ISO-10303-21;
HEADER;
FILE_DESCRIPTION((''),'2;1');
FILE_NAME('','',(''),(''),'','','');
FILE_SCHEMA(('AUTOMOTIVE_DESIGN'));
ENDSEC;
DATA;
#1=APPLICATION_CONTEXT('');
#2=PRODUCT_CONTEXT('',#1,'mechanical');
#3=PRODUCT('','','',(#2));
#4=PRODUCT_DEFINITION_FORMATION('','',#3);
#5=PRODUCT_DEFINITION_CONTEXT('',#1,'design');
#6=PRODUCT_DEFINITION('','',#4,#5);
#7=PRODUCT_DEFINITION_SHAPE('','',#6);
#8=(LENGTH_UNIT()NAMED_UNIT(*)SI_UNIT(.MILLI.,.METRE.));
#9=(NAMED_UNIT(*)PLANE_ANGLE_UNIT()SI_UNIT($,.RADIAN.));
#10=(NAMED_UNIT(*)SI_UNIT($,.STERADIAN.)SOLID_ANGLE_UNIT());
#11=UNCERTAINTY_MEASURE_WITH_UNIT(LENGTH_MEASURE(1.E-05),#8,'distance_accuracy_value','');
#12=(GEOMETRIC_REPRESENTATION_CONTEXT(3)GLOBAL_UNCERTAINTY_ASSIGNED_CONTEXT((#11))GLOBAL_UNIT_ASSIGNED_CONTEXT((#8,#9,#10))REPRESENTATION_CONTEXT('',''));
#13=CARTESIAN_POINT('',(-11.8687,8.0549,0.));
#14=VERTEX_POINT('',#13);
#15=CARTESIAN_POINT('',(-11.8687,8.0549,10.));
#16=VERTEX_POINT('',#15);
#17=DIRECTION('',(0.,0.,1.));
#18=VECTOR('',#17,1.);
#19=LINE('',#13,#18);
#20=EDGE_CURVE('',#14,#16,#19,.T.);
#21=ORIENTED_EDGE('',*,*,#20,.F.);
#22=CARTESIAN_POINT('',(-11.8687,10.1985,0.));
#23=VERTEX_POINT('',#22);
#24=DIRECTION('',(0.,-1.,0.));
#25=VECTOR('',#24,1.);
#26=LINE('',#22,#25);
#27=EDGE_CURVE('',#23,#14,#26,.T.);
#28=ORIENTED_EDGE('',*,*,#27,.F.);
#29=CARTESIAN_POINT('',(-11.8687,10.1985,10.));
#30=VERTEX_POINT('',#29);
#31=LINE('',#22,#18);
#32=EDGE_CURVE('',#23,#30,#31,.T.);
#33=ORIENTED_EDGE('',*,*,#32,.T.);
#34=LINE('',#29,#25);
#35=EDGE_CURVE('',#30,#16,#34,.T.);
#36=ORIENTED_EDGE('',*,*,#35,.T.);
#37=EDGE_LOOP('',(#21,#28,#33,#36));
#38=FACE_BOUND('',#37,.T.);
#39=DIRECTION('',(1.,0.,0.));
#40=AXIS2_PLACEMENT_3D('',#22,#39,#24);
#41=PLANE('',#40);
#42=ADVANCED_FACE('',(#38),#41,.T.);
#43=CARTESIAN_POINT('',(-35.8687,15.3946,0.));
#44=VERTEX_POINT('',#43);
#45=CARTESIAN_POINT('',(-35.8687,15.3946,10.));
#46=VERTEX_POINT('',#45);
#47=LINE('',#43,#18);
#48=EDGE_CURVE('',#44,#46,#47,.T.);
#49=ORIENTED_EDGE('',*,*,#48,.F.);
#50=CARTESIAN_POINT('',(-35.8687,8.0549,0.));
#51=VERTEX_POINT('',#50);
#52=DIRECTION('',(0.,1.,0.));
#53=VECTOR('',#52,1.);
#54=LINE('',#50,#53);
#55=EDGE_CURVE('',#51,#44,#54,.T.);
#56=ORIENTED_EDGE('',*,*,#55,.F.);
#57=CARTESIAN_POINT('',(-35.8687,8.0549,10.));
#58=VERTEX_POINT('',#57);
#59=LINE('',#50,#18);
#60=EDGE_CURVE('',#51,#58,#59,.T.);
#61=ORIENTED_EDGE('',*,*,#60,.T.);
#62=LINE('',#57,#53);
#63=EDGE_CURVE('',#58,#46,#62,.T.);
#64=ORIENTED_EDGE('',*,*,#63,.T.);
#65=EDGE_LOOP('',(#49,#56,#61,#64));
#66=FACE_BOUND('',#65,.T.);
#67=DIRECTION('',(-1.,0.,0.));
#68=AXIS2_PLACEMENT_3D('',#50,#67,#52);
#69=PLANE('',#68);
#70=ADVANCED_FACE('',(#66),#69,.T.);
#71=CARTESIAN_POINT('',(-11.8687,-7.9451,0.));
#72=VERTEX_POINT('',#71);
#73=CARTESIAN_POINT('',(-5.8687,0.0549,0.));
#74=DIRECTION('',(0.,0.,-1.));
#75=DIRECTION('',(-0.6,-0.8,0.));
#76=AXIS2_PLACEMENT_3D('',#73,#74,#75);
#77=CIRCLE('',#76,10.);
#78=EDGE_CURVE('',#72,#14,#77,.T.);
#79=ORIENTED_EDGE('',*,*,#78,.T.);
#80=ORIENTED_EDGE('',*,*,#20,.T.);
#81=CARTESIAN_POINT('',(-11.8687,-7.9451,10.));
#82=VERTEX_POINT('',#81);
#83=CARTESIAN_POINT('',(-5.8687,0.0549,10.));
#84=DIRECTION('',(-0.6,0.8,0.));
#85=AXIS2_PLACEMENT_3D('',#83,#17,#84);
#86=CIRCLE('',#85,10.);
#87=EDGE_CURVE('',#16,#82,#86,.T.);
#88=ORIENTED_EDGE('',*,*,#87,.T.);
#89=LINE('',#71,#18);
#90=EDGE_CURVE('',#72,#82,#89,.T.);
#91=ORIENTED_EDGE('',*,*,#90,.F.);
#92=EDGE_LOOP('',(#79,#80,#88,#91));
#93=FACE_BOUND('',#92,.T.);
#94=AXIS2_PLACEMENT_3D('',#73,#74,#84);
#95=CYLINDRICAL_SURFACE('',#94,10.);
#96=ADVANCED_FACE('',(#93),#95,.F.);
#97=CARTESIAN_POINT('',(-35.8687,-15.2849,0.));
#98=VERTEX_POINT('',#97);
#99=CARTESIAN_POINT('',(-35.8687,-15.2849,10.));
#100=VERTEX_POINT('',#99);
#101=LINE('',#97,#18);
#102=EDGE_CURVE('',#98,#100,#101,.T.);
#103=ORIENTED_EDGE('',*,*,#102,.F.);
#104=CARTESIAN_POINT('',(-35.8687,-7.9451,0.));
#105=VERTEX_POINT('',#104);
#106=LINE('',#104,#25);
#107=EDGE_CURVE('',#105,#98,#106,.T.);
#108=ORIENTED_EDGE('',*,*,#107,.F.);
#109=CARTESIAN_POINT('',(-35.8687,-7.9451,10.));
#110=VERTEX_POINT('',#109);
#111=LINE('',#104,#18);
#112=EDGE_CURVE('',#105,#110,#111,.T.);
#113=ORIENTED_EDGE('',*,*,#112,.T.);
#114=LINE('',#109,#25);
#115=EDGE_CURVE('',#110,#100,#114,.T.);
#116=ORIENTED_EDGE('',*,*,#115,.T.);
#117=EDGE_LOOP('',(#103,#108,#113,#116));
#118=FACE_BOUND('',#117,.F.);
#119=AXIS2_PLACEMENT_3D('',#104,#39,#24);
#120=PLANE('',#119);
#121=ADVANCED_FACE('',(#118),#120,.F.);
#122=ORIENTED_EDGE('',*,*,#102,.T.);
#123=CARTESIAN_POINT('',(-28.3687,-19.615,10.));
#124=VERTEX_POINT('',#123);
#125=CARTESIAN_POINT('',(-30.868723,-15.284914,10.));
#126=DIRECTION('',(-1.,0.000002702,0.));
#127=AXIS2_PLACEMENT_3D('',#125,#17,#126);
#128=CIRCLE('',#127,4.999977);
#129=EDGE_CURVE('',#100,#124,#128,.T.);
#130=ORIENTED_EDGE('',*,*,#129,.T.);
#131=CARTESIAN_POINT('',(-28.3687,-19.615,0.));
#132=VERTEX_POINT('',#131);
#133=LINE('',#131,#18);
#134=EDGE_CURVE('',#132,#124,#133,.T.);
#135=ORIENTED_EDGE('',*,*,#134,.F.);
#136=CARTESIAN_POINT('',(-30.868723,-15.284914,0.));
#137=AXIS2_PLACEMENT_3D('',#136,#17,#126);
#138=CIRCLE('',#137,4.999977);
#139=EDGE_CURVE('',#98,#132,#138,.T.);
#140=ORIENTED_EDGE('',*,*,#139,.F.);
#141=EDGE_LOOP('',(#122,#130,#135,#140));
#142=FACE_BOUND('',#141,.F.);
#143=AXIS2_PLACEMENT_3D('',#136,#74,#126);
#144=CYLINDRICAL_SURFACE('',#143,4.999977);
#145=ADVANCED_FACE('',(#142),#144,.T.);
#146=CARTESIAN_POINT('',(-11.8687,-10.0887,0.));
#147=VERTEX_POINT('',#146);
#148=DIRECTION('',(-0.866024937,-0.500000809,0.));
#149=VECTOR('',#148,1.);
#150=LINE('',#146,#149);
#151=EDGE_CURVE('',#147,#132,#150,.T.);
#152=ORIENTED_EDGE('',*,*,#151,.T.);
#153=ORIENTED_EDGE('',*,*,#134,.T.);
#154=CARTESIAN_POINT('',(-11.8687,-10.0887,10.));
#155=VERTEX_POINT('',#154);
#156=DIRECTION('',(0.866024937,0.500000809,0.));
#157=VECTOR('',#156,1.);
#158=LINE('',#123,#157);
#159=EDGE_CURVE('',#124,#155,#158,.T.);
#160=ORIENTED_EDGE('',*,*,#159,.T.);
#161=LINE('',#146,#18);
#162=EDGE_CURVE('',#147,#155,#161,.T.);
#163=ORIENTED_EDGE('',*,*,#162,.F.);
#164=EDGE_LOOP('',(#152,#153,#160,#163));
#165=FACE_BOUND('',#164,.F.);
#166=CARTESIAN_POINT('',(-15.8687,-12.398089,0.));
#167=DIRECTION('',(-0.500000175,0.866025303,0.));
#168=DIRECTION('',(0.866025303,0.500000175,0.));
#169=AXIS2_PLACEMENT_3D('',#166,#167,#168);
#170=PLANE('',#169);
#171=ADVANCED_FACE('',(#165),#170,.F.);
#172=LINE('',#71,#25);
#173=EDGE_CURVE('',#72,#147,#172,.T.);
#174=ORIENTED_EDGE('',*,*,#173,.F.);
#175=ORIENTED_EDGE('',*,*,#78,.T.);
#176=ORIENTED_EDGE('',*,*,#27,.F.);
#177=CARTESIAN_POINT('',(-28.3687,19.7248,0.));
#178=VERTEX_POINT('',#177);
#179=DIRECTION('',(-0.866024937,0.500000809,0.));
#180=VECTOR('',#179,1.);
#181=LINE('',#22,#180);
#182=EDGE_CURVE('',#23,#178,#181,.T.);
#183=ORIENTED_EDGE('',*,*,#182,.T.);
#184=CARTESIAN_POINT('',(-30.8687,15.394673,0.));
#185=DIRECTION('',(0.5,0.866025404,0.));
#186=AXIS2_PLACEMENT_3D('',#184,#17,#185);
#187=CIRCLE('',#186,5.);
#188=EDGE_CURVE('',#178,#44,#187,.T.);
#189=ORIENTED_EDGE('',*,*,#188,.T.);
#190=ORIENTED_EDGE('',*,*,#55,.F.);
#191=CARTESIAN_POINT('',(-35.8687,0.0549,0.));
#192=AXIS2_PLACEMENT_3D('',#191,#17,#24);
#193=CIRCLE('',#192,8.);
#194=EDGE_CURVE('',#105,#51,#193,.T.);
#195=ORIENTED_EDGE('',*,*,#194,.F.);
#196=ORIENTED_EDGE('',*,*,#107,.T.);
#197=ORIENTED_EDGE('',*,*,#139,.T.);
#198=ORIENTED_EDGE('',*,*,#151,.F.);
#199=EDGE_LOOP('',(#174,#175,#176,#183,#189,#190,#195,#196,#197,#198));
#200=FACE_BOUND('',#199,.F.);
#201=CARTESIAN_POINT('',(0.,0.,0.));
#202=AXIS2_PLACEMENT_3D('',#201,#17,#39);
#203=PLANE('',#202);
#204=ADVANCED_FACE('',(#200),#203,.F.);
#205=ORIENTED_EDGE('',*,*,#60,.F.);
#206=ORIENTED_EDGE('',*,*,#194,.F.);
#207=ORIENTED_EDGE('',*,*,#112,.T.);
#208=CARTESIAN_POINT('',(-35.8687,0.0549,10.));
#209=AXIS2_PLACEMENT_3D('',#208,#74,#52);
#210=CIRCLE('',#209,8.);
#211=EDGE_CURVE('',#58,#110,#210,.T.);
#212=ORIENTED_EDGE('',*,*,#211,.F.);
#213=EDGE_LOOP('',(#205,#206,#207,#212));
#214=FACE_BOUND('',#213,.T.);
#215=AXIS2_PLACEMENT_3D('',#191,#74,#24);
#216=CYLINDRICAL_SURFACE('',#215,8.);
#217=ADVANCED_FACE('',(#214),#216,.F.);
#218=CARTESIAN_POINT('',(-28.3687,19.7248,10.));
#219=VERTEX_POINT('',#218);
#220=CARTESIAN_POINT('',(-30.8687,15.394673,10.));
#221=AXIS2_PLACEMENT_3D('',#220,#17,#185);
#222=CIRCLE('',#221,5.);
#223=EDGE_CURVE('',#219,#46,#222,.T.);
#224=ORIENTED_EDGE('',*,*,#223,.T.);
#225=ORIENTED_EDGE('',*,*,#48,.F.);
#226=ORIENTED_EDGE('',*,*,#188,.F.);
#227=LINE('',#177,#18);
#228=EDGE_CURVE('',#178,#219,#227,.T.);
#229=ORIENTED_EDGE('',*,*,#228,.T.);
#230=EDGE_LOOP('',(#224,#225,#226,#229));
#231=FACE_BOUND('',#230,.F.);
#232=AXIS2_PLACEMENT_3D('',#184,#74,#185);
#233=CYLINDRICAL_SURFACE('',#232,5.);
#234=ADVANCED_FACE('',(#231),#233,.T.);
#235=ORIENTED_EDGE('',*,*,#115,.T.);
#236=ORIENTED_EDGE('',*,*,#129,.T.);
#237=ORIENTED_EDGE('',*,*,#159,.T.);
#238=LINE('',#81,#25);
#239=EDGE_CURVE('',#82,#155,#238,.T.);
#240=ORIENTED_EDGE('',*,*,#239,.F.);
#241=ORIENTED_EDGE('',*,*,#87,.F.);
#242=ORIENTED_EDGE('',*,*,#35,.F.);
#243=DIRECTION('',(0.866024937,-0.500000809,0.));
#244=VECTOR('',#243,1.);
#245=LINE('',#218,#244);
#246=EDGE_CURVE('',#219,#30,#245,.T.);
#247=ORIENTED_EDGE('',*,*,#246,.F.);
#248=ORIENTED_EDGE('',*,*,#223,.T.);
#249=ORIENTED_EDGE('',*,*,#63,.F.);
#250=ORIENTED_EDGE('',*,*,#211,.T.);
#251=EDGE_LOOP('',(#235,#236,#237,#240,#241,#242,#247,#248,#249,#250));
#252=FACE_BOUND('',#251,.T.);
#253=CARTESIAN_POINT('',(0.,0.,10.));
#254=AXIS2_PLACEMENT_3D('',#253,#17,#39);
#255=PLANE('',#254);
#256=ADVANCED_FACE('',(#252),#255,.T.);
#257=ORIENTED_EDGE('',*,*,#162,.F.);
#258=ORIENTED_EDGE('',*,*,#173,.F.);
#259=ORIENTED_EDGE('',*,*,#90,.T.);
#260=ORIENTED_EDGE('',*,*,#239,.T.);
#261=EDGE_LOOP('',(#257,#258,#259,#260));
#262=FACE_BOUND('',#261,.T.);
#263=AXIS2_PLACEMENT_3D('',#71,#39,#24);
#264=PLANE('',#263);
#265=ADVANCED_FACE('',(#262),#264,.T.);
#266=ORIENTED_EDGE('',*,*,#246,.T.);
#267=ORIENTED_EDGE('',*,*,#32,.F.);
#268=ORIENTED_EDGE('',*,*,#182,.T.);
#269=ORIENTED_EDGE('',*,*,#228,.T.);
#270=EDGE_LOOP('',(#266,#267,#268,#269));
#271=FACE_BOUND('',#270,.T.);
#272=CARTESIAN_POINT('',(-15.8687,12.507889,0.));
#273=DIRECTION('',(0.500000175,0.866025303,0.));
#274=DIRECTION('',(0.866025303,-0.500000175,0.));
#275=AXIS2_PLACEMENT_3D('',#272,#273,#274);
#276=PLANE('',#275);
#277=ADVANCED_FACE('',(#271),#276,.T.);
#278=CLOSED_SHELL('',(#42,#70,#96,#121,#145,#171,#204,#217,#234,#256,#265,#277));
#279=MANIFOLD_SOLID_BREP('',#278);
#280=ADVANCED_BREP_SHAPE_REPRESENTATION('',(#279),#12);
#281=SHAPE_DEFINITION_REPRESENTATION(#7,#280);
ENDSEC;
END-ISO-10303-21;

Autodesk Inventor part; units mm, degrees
ref_plane "YZ Plane" through (0, 0, 0) normal (1, 0, 0) x (0, 1, 0)
ref_plane "XZ Plane" through (0, 0, 0) normal (0, 1, 0) x (-1, 0, 0)
ref_plane "XY Plane" through (0, 0, 0) normal (0, 0, 1) x (1, 0, 0)
sketch "스케치1" plane through (0, 0, 0) normal (0, 0, 1) x (1, 0, 0)
  line L0 (-0.0808, 29.1134) -> (-0.0808, -34.3055)
  line L1 (-44.0255, 0.0549) -> (53.8558, 0.0549)
  line L2 (-35.8687, -7.9451) -> (-35.8687, -23.9451)
  line L3 (-35.8687, -23.9451) -> (-35.8687, 0.0549)
  line L4 (-35.8687, 8.0549) -> (-35.8687, 24.0549)
  line L5 (-35.8687, 24.0549) -> (5.7005, 0.0549)
  line L6 (-35.8687, -23.9451) -> (5.7005, 0.0549)
  arc A0 (-35.8687, -15.2849) -> (-28.3687, -19.615) centre (-30.8687, -15.2849) ccw
  arc A1 (-28.3687, 19.7248) -> (-35.8687, 15.3946) centre (-30.8687, 15.3946) ccw
  arc A2 (-35.8687, -7.9451) -> (-35.8687, 8.0549) centre (-35.8687, 0.0549) ccw
  line L7 (-15.8687, 16.9552) -> (-15.8687, -23.9451)
  arc A3 (-11.8687, 8.0549) -> (-11.8687, -7.9451) centre (-5.8687, 0.0549) ccw
  line L8 (-11.8687, 10.1985) -> (-11.8687, 8.0549)
  line L9 (-11.8687, -7.9451) -> (-11.8687, -10.0887)
  dimension "d7" = 24
  dimension "d8" = 24
  dimension "d9" = 60
  dimension "d10" = 10
  dimension "d11" = 10
  dimension "d12" = 16
  dimension "d14" = 20
sketch "스케치2" plane through (0, 0, 0) normal (0, 0, 1) x (1, 0, 0)
  point P0 (0, 0)
extrude "돌출1" add sketch "스케치1" along normal blind 10 contours L8 A3 L7 L5 | L7 L6 A0 L2 A2 L1 | L1 A2 L4 A1 L5 L7 | A3 L9 L6 L7
sketch "스케치3" plane through (0, 0, 10) normal (0, 0, 1) x (1, 0, 0)
  point P0 (0, 0)
sketch "스케치4" plane through (0, 0, 10) normal (0, 0, 1) x (1, 0, 0)
  point P0 (0, 0)
properties part number "240412_sketch3"
